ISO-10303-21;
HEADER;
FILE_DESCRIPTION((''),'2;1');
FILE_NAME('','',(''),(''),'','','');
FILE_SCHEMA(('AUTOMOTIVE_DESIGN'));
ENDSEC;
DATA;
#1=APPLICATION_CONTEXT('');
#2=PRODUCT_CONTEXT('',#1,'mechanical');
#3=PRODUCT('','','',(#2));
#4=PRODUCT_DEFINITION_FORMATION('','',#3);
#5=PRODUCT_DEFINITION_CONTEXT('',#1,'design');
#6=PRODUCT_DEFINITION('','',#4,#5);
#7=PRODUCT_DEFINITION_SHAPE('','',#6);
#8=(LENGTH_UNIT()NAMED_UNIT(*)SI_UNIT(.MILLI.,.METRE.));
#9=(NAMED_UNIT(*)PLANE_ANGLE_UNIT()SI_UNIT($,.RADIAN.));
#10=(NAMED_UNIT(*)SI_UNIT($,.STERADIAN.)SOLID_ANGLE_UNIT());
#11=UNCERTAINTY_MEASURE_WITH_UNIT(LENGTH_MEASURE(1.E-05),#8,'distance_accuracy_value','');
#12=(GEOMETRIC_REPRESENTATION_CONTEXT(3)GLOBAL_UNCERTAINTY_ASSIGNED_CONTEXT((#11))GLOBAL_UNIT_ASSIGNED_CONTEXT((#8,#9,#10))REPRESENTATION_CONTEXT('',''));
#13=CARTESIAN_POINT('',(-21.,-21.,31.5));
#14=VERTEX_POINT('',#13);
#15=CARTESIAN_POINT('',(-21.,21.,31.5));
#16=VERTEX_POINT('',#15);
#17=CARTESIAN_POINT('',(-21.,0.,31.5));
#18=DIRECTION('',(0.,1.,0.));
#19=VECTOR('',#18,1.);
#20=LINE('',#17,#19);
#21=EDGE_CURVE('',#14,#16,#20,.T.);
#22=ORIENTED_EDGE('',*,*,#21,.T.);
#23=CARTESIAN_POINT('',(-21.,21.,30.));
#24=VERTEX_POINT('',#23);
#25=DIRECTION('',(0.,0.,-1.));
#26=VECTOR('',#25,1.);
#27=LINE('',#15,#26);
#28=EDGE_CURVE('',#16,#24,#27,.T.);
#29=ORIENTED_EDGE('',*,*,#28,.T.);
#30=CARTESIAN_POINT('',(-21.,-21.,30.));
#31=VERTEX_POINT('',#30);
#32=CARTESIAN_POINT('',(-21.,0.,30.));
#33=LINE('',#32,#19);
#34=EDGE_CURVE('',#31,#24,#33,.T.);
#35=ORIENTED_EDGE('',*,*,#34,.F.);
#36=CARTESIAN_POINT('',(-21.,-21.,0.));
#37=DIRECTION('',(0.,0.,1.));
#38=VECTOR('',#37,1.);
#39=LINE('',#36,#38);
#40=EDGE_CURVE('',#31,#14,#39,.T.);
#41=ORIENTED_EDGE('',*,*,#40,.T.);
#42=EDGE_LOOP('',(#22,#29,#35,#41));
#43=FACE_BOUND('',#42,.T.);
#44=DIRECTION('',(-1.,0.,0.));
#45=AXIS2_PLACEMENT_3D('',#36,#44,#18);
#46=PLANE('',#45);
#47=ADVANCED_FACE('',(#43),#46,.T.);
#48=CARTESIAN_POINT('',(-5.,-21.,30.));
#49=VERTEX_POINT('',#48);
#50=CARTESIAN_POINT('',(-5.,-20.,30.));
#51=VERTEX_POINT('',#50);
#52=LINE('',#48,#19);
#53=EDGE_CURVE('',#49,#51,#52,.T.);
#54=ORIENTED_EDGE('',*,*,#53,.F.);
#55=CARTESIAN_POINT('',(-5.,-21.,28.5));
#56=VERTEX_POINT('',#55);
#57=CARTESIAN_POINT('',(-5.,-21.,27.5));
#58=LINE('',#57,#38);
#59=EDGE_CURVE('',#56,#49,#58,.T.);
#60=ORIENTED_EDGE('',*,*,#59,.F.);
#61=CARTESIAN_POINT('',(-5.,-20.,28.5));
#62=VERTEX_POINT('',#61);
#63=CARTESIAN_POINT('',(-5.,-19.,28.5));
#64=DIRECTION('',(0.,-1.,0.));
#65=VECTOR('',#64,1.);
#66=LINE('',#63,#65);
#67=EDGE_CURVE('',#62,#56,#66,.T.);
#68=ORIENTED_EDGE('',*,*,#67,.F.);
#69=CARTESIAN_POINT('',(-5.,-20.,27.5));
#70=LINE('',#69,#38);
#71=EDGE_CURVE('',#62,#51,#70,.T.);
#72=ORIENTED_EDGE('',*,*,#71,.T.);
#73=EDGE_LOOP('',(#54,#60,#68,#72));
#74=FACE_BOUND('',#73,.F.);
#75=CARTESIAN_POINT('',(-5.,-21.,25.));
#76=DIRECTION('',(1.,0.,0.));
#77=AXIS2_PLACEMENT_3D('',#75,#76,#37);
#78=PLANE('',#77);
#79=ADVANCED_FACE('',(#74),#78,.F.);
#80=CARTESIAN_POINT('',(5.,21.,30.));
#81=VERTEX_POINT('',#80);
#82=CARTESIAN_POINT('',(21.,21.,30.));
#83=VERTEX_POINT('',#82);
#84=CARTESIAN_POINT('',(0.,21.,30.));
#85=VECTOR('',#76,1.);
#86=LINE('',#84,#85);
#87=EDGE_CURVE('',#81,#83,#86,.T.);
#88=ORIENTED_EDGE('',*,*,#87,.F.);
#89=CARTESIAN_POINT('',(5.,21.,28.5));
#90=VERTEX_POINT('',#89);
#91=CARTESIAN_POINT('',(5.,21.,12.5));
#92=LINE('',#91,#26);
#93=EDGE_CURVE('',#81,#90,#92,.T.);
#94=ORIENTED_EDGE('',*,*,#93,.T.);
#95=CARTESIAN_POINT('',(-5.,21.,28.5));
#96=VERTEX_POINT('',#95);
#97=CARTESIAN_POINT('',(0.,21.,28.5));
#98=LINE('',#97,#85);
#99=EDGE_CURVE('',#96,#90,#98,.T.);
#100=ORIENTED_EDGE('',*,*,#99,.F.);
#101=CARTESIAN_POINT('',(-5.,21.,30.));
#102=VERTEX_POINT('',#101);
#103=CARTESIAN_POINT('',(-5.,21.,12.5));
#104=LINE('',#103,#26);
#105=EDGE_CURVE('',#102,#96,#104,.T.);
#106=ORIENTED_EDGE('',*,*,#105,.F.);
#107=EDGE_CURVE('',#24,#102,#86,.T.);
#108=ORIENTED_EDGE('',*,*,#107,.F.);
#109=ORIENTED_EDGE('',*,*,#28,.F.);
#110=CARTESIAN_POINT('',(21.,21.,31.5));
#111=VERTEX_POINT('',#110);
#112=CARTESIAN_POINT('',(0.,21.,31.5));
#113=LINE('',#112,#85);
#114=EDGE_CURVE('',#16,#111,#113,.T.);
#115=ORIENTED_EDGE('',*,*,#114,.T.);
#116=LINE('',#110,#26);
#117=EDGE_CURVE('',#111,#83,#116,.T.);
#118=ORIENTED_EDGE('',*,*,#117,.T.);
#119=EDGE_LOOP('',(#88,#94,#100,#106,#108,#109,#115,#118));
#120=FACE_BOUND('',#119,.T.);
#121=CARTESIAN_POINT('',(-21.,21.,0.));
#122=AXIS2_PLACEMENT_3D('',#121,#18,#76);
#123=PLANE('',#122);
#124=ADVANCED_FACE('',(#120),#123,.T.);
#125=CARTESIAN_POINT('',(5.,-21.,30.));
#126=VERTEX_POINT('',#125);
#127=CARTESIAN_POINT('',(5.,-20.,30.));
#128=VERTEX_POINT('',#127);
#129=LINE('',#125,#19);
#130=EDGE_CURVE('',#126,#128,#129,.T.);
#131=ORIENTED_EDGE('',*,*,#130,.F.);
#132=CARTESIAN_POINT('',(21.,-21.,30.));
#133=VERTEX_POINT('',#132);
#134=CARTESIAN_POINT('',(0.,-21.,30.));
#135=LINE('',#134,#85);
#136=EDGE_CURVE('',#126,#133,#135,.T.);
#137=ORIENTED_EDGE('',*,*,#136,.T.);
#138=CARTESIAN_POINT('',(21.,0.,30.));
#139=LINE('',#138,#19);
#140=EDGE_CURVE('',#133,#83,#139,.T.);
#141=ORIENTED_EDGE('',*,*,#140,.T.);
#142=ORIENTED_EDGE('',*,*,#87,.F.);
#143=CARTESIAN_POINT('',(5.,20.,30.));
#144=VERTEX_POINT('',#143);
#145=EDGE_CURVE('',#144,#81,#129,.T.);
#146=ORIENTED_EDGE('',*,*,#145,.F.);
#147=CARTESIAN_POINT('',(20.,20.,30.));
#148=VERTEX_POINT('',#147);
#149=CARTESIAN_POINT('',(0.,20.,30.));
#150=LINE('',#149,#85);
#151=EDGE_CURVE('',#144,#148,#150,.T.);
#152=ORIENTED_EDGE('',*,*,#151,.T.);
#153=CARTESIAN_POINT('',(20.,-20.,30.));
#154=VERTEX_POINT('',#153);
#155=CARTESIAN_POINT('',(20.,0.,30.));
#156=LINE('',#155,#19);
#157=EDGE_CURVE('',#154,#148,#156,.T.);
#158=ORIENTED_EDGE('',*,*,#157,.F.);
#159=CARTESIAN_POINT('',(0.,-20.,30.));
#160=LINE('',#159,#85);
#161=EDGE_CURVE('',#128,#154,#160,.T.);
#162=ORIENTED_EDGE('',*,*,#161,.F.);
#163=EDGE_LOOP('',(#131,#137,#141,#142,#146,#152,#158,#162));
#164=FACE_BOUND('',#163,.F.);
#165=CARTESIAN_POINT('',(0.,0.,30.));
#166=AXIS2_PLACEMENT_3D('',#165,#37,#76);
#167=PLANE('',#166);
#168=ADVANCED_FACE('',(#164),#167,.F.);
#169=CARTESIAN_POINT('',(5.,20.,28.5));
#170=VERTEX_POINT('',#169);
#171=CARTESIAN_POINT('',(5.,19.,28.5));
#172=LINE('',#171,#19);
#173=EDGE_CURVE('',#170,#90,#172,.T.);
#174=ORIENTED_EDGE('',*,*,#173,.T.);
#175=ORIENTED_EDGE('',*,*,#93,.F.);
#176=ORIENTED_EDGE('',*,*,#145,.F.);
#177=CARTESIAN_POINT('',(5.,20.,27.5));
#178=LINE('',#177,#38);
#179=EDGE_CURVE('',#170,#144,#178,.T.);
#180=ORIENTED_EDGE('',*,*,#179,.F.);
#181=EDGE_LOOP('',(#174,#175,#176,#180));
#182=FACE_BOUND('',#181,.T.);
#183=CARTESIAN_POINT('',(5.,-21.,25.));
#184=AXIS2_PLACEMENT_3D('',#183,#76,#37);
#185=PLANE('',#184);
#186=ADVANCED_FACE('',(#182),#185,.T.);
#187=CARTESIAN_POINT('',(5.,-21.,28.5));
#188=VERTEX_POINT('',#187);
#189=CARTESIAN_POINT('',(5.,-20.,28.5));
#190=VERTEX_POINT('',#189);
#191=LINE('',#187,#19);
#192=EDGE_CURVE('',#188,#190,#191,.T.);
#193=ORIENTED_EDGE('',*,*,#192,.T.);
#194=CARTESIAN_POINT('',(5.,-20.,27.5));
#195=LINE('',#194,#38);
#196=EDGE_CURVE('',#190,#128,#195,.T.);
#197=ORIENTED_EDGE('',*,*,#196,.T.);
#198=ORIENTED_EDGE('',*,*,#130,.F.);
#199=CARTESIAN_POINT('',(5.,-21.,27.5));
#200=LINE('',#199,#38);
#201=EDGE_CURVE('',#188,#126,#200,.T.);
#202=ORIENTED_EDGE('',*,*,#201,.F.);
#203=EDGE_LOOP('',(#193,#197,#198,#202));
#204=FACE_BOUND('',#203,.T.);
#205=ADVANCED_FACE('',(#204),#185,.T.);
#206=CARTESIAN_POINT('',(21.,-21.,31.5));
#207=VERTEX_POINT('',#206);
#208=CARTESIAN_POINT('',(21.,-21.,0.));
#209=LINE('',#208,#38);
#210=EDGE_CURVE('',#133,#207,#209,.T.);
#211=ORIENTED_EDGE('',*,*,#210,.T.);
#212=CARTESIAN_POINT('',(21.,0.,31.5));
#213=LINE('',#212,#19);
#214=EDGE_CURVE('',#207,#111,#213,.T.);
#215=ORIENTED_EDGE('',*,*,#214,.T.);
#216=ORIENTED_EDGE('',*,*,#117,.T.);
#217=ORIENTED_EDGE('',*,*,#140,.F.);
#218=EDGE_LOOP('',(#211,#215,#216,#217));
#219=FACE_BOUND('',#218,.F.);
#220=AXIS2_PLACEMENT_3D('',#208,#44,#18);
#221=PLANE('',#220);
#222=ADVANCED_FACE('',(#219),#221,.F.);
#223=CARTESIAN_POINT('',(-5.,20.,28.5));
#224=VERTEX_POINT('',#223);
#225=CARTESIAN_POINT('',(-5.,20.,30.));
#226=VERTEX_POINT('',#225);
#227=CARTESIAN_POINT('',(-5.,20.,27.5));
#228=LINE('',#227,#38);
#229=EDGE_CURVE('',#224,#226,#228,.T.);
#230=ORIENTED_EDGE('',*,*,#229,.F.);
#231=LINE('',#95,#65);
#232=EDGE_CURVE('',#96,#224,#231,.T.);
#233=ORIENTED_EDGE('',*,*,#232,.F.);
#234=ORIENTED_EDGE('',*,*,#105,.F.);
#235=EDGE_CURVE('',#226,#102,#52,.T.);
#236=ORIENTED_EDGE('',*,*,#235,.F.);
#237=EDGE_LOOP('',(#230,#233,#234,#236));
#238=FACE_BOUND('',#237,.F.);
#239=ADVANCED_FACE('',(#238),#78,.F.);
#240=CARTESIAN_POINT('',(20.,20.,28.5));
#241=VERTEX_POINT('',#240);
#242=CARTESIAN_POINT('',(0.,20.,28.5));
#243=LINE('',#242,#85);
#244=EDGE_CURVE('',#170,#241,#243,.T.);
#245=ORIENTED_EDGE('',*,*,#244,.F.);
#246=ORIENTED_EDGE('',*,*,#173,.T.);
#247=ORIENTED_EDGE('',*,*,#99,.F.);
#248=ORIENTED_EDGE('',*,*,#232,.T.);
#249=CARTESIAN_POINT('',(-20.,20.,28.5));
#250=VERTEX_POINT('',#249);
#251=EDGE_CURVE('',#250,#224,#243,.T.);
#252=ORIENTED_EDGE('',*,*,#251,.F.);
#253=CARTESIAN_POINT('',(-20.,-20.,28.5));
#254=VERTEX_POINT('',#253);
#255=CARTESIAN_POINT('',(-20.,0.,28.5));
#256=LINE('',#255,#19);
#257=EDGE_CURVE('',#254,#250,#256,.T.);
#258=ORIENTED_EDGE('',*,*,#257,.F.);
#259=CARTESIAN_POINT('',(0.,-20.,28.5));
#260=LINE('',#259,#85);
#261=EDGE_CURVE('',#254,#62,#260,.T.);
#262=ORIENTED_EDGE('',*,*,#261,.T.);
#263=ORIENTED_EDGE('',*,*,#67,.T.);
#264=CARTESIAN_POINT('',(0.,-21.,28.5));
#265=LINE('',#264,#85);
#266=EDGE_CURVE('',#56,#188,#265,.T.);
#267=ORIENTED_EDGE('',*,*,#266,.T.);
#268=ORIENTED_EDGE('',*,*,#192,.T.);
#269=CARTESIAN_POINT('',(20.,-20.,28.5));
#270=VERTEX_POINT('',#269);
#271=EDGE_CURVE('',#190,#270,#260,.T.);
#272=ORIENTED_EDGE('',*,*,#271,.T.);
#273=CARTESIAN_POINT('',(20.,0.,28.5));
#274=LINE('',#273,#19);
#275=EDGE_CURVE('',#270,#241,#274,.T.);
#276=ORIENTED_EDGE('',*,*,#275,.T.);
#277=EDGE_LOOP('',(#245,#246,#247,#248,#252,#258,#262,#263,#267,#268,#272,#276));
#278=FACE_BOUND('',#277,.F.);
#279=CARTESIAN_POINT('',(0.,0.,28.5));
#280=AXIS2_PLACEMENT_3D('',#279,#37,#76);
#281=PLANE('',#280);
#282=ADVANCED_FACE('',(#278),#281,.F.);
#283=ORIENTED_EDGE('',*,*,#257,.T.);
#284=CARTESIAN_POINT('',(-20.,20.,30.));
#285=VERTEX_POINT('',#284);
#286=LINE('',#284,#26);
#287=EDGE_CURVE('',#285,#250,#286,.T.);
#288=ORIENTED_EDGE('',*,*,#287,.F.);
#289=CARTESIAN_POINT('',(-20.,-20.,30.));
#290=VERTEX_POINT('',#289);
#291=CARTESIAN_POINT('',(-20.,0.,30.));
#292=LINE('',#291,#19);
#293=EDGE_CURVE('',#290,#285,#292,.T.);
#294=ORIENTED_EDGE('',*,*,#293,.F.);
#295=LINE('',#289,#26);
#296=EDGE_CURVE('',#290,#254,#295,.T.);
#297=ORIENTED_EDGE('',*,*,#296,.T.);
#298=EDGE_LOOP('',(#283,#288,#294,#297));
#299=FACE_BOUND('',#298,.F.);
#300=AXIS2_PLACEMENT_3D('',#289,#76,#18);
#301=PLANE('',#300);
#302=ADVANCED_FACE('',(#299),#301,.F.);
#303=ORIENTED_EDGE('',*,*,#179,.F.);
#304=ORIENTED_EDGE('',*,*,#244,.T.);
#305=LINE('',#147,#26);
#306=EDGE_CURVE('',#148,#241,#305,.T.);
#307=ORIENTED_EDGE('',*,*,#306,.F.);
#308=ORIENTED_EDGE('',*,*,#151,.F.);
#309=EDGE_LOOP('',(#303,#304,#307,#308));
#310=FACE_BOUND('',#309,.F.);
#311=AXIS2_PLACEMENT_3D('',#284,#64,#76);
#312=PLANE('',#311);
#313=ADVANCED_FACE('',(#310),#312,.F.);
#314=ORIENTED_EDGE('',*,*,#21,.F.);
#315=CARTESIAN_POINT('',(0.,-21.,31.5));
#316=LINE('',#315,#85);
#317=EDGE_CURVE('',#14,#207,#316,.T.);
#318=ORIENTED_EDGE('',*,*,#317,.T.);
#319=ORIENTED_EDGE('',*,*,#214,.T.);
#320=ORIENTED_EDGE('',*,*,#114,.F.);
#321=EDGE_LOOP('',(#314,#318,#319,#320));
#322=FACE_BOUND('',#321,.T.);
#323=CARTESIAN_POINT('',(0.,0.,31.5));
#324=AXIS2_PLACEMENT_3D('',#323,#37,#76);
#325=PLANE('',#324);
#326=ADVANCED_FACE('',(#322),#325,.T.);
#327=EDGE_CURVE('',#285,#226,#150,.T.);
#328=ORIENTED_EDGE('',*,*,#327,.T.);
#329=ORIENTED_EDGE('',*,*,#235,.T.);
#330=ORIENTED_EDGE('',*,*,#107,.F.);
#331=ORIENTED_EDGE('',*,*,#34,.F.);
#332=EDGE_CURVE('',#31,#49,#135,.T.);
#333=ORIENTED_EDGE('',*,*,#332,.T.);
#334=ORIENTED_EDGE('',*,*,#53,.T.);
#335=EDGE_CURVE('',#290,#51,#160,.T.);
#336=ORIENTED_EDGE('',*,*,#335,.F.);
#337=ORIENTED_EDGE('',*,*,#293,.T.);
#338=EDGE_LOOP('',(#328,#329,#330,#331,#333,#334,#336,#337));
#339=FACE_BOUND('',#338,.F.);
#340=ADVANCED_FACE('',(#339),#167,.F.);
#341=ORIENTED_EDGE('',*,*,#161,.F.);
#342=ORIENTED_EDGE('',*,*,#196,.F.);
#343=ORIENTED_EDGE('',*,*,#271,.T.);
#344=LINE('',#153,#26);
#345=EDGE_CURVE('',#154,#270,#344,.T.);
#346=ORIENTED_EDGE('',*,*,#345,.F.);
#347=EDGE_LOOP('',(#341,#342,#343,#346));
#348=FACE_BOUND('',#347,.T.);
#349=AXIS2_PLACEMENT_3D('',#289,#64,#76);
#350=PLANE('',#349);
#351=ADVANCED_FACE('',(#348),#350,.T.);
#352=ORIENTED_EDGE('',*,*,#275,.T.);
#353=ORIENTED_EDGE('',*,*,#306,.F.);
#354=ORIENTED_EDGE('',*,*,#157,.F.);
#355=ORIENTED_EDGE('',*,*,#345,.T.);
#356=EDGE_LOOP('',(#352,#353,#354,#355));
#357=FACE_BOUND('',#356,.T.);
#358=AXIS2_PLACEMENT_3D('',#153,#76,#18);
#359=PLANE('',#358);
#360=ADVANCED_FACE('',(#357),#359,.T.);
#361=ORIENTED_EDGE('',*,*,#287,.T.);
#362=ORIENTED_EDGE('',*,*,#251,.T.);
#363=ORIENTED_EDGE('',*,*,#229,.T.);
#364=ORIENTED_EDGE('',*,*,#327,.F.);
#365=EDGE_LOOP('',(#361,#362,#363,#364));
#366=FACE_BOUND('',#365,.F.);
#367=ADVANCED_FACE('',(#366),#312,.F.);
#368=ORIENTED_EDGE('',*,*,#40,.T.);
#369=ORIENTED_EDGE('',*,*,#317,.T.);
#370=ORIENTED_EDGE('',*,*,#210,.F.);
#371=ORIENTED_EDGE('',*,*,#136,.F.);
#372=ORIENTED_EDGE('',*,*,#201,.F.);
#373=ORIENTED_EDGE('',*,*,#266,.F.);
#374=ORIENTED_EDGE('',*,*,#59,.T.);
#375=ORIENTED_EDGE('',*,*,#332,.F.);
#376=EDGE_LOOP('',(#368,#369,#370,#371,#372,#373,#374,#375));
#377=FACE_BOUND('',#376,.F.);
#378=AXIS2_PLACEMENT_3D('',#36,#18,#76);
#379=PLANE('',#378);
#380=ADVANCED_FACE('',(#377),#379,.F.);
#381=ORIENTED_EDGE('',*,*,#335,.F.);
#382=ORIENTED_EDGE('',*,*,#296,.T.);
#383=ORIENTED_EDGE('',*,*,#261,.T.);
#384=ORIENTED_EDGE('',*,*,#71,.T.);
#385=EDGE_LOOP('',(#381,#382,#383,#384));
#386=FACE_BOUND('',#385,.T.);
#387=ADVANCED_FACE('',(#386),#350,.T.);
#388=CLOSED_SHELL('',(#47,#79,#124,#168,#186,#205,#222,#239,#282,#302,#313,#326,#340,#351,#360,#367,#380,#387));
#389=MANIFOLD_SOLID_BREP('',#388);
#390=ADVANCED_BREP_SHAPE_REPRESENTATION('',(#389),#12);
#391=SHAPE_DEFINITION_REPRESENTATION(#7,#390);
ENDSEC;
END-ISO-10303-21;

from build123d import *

# Parameters (mm, degrees)
SKETCH_W        = 42
SKETCH_H        = 42
PAD_DEPTH       = 30
SKETCH001_W     = 40
SKETCH001_H     = 40
POCKET_DEPTH    = 1.5
SKETCH002_W     = 38
SKETCH002_H     = 38
POCKET001_DEPTH = 28
SKETCH003_W     = 10
SKETCH003_H     = 5
POCKET002_DEPTH = 300
SKETCH004_W     = 42
SKETCH004_H     = 42
PAD001_DEPTH    = 1.5


with BuildPart() as pocket002:
    # Sketch → Pad (new body)
    with BuildSketch(Plane.XY):
        Rectangle(SKETCH_W, SKETCH_H)
    extrude(amount=PAD_DEPTH)

    # Sketch001 → Pocket (cut)
    with BuildSketch(Plane.XY.offset(30)):
        Rectangle(SKETCH001_W, SKETCH001_H)
    extrude(amount=-POCKET_DEPTH, mode=Mode.SUBTRACT)

    # Sketch002 → Pocket001 (cut)
    with BuildSketch(Plane.XY.offset(28.5)):
        Rectangle(SKETCH002_W, SKETCH002_H)
    extrude(amount=-POCKET001_DEPTH, mode=Mode.SUBTRACT)

    # Sketch003 → Pocket002 (cut)
    with BuildSketch(Plane.XZ.offset(21)):
        with Locations((0, 27.5)):
            Rectangle(SKETCH003_W, SKETCH003_H)
    extrude(amount=-POCKET002_DEPTH, mode=Mode.SUBTRACT)


with BuildPart() as cut:
    # Pad001 base: copy of Pocket002
    add(pocket002.part)

    # Sketch004 → Pad001 (new body, symmetric)
    with BuildSketch(Plane.XY.offset(30)):
        Rectangle(SKETCH004_W, SKETCH004_H)
    extrude(amount=PAD001_DEPTH, both=True)

    # Cut: cut Pocket002
    add(pocket002.part, mode=Mode.SUBTRACT)


solid = cut.part
